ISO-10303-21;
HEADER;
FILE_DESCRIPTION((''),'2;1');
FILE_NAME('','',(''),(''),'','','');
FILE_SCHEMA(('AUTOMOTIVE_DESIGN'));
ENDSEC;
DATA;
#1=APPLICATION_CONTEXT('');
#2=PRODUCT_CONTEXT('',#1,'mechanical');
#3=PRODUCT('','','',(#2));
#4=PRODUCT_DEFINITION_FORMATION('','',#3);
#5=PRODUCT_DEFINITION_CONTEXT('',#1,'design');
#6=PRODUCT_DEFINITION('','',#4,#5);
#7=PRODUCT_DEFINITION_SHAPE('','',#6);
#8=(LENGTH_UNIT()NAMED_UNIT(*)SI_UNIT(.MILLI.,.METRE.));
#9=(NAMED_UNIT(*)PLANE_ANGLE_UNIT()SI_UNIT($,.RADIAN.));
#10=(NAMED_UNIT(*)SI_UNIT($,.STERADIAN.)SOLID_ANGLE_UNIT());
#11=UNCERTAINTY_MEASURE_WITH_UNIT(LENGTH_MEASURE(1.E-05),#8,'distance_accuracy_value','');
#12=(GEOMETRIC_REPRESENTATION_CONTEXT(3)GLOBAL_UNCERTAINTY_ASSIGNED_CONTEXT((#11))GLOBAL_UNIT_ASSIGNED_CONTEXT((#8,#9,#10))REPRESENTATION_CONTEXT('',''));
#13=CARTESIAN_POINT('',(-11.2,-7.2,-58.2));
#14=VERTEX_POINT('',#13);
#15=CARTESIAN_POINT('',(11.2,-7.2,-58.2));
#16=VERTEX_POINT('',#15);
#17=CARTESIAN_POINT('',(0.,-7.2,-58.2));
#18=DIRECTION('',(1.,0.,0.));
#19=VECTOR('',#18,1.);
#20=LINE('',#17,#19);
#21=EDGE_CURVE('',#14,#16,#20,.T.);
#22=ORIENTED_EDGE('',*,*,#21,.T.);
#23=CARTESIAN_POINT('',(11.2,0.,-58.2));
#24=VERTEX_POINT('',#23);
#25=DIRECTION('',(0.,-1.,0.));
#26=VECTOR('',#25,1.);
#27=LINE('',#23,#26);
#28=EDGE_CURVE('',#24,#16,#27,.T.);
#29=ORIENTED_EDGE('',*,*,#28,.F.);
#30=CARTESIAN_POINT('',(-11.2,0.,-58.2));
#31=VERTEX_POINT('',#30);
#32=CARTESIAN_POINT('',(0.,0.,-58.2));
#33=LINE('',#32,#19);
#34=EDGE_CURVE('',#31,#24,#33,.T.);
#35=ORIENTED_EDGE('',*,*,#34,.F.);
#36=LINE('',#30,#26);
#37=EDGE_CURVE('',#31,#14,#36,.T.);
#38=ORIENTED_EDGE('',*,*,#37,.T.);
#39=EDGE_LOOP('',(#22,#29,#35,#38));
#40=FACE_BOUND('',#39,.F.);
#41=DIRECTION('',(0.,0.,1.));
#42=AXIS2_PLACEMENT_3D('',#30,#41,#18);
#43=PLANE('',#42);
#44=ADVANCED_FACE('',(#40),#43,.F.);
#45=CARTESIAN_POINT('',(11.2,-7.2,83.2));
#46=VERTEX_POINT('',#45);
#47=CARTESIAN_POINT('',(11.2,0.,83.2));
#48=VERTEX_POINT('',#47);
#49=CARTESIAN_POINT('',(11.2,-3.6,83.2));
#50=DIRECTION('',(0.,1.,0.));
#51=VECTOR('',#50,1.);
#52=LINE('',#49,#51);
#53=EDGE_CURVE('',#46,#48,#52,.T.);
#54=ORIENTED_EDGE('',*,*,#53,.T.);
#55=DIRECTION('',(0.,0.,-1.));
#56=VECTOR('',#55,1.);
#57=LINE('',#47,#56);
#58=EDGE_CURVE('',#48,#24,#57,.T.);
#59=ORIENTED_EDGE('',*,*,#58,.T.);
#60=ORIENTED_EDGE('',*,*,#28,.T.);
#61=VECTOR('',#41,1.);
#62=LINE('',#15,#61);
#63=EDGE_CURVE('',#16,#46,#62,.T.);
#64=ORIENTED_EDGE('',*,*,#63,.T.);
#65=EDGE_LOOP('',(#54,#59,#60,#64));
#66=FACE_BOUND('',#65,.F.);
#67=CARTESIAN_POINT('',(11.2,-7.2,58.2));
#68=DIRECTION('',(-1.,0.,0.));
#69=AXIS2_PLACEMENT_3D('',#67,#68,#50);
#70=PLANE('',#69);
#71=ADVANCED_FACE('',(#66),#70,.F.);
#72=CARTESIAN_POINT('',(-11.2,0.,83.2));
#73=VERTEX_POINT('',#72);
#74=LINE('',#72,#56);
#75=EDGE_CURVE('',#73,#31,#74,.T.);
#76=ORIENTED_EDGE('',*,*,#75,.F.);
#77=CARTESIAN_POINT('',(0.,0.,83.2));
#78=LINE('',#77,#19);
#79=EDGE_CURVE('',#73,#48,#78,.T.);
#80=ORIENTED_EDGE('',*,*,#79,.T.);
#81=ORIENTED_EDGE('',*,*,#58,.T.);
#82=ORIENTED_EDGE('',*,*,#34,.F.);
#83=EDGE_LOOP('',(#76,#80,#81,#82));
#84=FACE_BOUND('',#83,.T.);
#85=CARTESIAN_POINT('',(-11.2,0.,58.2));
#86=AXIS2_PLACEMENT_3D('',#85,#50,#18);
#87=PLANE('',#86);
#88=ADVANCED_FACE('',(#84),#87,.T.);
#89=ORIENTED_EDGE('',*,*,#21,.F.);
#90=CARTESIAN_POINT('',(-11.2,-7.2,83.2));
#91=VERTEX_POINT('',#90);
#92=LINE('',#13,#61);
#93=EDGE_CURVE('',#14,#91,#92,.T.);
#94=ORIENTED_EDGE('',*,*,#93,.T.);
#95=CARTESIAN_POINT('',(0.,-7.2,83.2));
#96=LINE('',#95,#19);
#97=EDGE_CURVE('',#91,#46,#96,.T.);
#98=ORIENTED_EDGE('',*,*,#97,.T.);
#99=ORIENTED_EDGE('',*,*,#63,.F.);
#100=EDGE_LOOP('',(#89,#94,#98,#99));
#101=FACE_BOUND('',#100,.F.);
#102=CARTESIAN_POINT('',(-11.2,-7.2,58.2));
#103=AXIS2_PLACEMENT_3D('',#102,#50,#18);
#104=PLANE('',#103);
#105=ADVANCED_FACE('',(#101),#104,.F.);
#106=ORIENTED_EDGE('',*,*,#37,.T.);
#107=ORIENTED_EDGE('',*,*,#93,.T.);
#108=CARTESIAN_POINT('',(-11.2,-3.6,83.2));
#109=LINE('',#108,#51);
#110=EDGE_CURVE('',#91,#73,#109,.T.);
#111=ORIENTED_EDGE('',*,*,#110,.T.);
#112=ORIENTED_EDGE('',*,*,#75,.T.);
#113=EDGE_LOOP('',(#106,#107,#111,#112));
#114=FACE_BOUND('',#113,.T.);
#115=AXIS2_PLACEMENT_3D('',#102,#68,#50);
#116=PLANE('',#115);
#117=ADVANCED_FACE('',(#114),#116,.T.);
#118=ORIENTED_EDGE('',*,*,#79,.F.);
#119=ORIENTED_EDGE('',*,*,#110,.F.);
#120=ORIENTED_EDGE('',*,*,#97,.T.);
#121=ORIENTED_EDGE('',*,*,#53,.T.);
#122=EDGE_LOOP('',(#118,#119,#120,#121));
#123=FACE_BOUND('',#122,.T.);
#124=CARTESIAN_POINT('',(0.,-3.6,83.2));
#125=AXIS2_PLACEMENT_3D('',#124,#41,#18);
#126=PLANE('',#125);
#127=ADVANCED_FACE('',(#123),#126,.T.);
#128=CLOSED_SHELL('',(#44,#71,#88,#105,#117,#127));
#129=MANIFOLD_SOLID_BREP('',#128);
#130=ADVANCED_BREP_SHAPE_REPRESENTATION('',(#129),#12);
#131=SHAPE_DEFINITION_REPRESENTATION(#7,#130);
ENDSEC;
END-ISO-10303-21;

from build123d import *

# Parameters (mm, degrees)
F0_W      = 22.4
F0_H      = 116.4
F1_DEPTH  = 7.2
F1_FACE_W = 22.4
F1_FACE_H = 7.2
F2_DEPTH  = 25


with BuildPart() as f1:
    # F0 (on Front) → F1 (new body)
    with BuildSketch(Plane.XZ):
        Rectangle(F0_W, F0_H)
    extrude(amount=F1_DEPTH)

    # F1_face (on face) → F2 (join)
    with BuildSketch(Plane(origin=(0, -3.6, 58.2), x_dir=(1, 0, 0), z_dir=(0, 0, 1))):
        Rectangle(F1_FACE_W, F1_FACE_H)
    extrude(amount=F2_DEPTH)


solid = f1.part
